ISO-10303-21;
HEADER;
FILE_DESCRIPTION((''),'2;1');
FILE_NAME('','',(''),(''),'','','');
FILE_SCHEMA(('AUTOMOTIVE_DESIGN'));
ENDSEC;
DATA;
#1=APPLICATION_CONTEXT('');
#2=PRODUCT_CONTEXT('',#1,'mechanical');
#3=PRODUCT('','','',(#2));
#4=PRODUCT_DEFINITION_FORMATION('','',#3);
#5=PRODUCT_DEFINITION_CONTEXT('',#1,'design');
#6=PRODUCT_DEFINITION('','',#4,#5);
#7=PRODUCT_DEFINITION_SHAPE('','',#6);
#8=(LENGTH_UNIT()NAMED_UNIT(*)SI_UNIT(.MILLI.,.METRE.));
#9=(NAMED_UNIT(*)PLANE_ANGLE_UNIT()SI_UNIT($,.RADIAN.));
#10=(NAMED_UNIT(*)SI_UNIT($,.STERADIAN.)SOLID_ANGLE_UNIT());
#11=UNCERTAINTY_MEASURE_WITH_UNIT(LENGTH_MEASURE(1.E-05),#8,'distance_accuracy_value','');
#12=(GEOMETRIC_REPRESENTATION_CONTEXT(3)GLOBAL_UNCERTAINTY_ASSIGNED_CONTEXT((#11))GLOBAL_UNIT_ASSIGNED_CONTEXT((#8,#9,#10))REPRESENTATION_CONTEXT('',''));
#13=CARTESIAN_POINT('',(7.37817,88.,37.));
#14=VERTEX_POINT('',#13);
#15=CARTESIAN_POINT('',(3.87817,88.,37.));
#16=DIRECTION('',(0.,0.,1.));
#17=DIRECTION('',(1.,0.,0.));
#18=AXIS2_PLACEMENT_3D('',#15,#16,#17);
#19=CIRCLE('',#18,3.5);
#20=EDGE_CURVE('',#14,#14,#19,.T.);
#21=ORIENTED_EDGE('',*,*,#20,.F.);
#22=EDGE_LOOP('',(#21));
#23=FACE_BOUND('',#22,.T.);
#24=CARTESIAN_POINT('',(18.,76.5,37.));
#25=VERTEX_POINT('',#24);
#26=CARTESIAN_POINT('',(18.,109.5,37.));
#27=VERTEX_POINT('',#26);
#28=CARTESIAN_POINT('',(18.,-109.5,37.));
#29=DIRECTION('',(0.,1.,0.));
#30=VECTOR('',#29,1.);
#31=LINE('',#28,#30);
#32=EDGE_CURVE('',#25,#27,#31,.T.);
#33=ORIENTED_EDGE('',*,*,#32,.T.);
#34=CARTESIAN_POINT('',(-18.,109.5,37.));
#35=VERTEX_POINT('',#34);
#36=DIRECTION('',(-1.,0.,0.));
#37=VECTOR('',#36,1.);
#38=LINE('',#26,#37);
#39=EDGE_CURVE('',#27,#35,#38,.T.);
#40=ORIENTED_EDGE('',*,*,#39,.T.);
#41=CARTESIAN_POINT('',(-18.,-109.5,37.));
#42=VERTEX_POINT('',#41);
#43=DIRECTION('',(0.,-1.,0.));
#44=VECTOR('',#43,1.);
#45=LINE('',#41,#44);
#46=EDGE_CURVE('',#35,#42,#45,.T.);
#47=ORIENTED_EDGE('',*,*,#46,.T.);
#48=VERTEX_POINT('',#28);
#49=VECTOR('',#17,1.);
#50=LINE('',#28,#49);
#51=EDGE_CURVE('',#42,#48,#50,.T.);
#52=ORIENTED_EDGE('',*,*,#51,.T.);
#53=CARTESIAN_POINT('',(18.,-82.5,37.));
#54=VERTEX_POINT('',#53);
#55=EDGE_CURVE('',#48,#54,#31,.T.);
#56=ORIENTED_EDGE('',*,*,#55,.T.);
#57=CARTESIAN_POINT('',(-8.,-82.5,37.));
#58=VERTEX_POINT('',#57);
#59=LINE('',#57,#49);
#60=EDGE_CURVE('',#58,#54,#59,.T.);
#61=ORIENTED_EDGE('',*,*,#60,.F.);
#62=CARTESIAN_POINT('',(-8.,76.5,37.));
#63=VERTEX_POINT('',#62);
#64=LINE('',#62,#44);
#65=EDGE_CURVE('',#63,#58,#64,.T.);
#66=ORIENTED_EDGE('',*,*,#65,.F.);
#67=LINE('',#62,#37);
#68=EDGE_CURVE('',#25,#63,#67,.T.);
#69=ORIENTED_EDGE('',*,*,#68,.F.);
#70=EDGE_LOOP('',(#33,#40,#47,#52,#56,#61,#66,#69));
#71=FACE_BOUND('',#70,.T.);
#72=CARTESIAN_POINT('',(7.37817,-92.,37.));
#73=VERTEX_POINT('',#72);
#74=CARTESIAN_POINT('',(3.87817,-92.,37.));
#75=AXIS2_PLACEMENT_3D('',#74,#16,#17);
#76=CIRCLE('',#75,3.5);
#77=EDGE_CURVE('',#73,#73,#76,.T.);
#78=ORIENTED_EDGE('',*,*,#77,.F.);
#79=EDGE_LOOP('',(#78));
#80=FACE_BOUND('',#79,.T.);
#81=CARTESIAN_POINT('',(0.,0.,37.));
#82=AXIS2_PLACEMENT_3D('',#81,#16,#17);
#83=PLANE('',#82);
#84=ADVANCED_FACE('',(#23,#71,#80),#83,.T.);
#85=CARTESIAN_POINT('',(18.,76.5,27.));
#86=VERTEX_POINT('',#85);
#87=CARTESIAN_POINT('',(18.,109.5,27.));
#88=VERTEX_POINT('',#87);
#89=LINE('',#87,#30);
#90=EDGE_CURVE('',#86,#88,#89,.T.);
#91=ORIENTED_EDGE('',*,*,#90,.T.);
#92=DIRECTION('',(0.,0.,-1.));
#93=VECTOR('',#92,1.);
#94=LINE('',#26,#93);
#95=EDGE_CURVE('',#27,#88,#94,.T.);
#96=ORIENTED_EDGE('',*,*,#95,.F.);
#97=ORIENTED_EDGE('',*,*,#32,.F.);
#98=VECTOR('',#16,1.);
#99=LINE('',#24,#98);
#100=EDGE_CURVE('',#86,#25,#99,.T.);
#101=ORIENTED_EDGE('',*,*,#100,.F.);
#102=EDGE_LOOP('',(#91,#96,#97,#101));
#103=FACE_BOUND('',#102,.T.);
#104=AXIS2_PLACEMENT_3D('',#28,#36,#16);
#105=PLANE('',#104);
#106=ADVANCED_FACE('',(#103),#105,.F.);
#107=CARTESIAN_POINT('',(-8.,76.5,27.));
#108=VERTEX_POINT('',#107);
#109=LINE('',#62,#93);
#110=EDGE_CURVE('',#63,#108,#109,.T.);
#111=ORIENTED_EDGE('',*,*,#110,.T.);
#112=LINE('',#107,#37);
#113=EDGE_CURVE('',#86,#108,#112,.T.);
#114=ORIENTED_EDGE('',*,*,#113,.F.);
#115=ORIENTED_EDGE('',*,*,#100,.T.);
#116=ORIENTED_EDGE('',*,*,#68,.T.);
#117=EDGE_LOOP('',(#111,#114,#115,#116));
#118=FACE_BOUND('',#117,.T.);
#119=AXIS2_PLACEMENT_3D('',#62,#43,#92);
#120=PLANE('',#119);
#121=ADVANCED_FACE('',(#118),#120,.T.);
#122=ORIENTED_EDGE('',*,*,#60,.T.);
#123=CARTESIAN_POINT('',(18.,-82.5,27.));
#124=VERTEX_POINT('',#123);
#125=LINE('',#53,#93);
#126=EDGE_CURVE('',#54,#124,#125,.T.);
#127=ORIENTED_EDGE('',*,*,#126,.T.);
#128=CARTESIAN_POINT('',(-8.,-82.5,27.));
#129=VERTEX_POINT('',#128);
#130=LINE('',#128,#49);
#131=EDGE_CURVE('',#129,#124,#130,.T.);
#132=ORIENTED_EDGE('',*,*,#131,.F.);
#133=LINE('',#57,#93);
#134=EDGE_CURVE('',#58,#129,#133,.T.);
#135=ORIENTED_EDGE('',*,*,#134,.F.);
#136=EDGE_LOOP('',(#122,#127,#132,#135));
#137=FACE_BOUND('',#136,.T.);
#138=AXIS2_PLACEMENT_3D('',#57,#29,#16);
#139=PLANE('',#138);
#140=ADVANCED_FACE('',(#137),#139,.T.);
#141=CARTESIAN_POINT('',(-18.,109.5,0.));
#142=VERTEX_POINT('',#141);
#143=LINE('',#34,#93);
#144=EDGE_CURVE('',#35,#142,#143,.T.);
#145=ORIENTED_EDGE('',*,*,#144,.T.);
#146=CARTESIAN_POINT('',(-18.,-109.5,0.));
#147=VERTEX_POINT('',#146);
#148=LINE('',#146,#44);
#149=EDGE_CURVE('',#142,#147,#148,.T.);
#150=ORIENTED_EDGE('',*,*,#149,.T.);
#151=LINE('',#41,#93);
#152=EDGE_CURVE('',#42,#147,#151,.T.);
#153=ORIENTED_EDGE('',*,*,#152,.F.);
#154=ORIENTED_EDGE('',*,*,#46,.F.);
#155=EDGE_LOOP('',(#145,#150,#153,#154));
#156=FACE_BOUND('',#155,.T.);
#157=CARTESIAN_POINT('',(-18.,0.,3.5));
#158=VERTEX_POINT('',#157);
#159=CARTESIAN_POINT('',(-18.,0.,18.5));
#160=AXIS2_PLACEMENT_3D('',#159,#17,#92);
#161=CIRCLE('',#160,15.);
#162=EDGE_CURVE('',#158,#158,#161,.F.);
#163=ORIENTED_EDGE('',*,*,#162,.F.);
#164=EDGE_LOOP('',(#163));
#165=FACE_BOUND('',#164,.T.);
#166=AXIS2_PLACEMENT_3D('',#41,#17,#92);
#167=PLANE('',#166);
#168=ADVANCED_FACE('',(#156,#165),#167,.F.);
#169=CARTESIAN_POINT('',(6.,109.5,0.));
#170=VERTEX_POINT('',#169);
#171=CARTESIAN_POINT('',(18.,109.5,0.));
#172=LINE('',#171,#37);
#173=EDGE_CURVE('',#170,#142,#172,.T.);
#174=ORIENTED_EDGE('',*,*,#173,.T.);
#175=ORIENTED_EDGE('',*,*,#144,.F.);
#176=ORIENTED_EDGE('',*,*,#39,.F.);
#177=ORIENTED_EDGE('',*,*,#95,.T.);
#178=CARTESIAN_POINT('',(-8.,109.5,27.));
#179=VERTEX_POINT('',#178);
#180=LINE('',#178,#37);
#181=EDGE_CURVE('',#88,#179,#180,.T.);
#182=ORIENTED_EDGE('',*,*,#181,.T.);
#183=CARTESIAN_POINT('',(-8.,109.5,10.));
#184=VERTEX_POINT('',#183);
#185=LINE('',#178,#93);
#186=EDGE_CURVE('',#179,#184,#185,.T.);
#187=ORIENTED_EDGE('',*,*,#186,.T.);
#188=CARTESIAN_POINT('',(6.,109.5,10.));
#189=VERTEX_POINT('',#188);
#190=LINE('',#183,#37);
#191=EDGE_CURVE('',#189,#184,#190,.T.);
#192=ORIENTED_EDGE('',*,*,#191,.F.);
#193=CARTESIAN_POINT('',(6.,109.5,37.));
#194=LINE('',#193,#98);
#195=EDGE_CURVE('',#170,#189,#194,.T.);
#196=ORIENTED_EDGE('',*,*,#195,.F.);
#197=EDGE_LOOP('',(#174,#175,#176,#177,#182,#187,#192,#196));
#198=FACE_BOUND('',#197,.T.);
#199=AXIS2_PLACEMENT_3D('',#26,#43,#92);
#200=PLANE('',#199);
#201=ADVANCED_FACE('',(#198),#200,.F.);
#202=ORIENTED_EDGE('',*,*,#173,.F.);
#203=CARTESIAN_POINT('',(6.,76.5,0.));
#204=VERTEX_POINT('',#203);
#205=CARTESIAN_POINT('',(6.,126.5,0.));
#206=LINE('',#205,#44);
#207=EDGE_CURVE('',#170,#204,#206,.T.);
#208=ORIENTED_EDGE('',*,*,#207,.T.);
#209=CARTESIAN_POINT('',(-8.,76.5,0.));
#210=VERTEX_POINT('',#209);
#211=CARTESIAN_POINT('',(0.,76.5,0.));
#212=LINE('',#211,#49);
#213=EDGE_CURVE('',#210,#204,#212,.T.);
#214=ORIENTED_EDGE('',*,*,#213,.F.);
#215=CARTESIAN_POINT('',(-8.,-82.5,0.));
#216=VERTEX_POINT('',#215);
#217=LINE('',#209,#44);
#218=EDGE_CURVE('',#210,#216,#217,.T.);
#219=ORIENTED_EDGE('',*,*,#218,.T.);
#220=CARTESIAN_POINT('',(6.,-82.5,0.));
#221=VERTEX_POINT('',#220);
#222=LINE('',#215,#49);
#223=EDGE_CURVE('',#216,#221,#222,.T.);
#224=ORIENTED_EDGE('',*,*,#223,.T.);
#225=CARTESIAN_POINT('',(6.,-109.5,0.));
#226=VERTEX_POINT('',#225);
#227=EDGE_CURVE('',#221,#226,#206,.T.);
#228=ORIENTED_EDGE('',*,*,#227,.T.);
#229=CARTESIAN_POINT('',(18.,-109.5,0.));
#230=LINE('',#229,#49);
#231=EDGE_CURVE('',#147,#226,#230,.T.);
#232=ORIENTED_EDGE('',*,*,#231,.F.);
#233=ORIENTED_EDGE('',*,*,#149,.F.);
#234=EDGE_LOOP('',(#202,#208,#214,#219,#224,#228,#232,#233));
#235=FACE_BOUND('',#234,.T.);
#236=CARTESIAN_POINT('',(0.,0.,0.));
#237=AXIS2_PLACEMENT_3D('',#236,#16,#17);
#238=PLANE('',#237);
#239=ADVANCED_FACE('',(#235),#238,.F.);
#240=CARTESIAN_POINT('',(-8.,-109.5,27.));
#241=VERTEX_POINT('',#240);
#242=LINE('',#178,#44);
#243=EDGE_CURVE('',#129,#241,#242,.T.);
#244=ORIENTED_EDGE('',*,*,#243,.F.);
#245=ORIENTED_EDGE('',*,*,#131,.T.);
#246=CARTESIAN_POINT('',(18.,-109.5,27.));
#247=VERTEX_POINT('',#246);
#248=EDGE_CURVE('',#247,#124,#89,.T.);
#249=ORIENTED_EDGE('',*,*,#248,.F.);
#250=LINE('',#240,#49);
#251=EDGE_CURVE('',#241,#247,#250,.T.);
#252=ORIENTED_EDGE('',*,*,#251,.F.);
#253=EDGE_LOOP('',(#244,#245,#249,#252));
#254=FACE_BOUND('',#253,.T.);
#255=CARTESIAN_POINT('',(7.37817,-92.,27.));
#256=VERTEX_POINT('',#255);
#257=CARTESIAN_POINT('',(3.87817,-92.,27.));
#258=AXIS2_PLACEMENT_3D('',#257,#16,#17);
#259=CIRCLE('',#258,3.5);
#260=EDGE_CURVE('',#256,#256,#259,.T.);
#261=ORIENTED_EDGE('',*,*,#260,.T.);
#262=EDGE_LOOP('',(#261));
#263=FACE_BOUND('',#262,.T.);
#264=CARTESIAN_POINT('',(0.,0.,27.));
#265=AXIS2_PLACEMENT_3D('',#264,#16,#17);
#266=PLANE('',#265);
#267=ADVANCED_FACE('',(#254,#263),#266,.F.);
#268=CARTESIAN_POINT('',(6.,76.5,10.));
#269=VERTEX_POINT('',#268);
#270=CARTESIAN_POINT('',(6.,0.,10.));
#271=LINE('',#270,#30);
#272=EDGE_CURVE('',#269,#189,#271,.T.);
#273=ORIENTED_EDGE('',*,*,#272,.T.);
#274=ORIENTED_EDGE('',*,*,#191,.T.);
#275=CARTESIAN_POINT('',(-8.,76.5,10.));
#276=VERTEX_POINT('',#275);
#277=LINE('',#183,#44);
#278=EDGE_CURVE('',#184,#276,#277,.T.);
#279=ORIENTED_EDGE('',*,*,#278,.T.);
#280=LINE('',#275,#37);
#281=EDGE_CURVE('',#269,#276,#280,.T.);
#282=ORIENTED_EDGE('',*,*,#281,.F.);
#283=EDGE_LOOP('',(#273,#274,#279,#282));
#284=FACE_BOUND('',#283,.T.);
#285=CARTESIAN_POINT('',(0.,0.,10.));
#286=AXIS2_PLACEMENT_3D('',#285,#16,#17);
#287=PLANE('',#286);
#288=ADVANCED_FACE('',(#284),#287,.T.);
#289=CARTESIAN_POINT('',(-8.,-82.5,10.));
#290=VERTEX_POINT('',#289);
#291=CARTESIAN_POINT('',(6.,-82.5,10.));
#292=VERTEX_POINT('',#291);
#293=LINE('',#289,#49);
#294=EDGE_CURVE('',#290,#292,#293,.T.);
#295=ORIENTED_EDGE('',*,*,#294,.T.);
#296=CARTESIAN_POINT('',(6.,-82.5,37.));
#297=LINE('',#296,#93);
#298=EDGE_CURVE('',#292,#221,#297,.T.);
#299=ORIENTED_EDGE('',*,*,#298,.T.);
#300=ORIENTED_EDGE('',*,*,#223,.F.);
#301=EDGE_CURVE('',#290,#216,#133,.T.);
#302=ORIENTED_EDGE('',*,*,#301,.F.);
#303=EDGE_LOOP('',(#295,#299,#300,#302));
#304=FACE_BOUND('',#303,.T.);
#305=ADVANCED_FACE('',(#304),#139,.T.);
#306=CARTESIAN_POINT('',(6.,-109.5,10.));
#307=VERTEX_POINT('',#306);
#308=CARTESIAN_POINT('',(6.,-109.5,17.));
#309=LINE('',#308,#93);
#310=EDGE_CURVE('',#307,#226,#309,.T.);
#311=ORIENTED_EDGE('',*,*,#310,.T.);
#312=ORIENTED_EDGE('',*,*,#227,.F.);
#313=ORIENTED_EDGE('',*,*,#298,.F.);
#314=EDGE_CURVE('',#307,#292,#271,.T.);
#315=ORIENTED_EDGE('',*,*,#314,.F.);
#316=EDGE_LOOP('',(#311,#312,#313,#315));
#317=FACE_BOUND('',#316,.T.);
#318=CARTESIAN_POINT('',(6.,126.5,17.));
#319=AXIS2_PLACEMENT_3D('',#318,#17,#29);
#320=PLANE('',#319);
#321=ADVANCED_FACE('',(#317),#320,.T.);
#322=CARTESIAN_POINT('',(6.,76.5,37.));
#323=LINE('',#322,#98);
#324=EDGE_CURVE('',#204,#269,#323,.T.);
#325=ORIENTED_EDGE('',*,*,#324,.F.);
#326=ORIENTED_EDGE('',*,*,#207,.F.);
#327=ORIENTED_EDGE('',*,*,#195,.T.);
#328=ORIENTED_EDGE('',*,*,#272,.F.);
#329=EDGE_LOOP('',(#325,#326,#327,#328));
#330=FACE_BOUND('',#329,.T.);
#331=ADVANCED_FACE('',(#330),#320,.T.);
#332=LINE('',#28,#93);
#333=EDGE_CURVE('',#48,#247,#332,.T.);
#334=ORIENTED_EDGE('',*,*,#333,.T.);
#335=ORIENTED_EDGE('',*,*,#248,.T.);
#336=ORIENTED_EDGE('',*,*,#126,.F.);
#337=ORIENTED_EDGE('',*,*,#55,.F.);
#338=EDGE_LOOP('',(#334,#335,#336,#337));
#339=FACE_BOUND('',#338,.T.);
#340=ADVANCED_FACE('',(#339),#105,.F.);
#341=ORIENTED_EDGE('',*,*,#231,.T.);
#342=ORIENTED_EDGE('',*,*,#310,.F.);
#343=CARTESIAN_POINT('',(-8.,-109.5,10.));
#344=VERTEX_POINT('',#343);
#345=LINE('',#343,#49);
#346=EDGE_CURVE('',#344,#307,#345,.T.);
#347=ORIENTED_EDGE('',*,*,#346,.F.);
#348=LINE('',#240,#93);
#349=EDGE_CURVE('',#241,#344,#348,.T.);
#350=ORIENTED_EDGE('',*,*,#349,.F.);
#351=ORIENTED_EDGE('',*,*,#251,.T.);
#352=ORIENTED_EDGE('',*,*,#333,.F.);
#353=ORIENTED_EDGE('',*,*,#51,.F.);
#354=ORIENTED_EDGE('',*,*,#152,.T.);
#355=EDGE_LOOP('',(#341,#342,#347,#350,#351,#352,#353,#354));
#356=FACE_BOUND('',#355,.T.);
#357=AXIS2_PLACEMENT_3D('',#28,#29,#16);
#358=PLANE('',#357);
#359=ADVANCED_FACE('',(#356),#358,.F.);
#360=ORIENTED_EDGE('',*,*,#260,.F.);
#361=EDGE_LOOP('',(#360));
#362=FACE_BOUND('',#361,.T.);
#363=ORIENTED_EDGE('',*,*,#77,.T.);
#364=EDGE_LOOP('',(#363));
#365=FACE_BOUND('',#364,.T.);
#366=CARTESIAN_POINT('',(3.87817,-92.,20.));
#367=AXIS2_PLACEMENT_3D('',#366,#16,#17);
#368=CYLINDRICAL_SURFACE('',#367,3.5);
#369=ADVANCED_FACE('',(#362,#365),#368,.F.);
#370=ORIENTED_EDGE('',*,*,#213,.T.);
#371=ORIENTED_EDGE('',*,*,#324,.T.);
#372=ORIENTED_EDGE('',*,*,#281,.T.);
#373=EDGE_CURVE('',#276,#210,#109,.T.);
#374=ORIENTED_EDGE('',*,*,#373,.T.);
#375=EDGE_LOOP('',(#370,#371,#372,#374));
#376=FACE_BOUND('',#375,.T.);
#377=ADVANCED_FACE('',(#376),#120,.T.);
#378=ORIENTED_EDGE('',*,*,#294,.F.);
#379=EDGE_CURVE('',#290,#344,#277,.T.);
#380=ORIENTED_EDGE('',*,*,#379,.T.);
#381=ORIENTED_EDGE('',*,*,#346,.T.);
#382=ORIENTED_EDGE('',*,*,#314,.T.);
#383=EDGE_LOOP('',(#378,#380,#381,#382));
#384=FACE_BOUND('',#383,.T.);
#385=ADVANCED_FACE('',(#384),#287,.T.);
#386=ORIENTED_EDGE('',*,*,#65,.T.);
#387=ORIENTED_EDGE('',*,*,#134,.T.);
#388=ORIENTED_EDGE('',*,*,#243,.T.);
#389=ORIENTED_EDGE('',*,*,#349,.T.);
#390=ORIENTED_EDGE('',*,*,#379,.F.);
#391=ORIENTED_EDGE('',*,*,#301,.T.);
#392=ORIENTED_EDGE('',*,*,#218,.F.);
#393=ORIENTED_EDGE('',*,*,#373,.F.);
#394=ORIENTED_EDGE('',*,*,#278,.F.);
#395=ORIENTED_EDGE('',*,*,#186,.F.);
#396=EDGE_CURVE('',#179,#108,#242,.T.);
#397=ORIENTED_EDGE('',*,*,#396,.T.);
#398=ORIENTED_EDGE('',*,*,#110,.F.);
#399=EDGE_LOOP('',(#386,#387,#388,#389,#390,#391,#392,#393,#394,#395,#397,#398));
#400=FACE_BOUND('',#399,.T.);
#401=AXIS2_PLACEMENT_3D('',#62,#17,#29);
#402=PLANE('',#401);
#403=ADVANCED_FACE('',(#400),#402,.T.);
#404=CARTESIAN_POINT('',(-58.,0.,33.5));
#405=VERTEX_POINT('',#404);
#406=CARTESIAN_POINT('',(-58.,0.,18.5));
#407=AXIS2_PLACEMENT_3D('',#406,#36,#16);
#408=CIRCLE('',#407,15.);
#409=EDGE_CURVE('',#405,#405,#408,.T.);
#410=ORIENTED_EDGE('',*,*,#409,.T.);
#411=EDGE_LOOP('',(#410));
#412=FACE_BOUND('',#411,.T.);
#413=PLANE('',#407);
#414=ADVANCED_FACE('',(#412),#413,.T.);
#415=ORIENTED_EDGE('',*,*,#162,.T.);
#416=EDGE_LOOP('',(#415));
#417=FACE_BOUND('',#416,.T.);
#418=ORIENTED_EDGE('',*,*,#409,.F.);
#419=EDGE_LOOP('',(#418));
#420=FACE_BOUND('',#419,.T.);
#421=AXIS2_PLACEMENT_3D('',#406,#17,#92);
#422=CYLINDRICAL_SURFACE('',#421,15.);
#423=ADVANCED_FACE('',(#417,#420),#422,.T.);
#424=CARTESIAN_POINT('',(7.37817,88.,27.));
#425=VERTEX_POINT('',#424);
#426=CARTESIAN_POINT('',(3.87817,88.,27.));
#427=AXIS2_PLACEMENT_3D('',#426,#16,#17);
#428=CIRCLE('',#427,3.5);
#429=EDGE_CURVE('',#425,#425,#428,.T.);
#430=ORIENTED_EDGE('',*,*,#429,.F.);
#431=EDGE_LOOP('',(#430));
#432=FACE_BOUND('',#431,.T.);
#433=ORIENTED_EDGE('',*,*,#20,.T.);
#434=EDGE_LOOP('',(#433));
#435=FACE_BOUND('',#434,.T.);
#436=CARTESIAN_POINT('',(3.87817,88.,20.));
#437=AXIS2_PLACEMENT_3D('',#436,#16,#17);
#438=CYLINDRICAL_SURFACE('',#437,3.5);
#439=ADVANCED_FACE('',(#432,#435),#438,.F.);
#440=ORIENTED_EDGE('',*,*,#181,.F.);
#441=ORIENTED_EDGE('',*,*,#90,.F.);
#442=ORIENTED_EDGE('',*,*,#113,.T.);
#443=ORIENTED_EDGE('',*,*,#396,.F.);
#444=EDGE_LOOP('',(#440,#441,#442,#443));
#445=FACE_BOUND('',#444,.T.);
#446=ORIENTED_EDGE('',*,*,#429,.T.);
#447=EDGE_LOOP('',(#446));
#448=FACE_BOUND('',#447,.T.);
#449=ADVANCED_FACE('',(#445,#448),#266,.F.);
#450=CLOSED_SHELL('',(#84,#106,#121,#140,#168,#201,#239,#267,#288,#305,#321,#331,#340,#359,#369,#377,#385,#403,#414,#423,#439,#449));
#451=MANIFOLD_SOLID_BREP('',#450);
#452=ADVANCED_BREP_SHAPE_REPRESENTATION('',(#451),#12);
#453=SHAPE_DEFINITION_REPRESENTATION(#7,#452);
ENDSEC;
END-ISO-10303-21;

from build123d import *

# Parameters (mm, degrees)
SKETCH_1_W           = 36
SKETCH_1_H           = 219
EXTRUDE_1_DEPTH      = 37
SKETCH_2_W           = 80.767995678
SKETCH_2_H           = 159
CUT_EXTRUDE_1_DEPTH  = 117.975424769
CUT_EXTRUDE_START    = 10
SKETCH_9_W           = 26
SKETCH_9_H           = 219
CUT_EXTRUDE_7_DEPTH  = 17
SKETCH_10_W          = 12
SKETCH_10_H          = 236
CUT_EXTRUDE_8_DEPTH  = 17
CUT_EXTRUDE_START_2  = 37
SKETCH_11_R          = 3.5
CUT_EXTRUDE_11_DEPTH = 17
SKETCH_25_R          = 15
EXTRUDE_3_DEPTH      = 40


with BuildPart() as part:
    # 스케치1 → 보스-돌출1 (new body)
    with BuildSketch(Plane.XY):
        Rectangle(SKETCH_1_W, SKETCH_1_H)
    extrude(amount=EXTRUDE_1_DEPTH)

    # 스케치2 → 컷-돌출1 (cut, through all)
    with BuildSketch(Plane.XY):
        with Locations((32.383997839, -3)):
            Rectangle(SKETCH_2_W, SKETCH_2_H)
    extrude(amount=CUT_EXTRUDE_1_DEPTH, mode=Mode.SUBTRACT)

    # 스케치9 → 컷-돌출7 (cut)
    with BuildSketch(Plane.XY.offset(CUT_EXTRUDE_START)):
        with Locations((5, 0)):
            Rectangle(SKETCH_9_W, SKETCH_9_H)
    extrude(amount=CUT_EXTRUDE_7_DEPTH, mode=Mode.SUBTRACT)

    # 스케치10 → 컷-돌출8 (cut)
    with BuildSketch(Plane.XY):
        with Locations((12, 8.5)):
            Rectangle(SKETCH_10_W, SKETCH_10_H)
    extrude(amount=CUT_EXTRUDE_8_DEPTH, mode=Mode.SUBTRACT)

    # 스케치11 → 컷-돌출11 (cut)
    with BuildSketch(Plane.XY.offset(CUT_EXTRUDE_START_2)):
        with Locations((3.878169626, 88)):
            Circle(SKETCH_11_R)
        with Locations((3.878169626, -92)):
            Circle(SKETCH_11_R)
    extrude(amount=-CUT_EXTRUDE_11_DEPTH, mode=Mode.SUBTRACT)

    # 스케치25 → 보스-돌출3 (add)
    with BuildSketch(Plane.ZY.offset(18)):
        with Locations(Location((18.5, 0, 0), (0, 0, 180))):
            Circle(SKETCH_25_R)
    extrude(amount=EXTRUDE_3_DEPTH)


solid = part.part
